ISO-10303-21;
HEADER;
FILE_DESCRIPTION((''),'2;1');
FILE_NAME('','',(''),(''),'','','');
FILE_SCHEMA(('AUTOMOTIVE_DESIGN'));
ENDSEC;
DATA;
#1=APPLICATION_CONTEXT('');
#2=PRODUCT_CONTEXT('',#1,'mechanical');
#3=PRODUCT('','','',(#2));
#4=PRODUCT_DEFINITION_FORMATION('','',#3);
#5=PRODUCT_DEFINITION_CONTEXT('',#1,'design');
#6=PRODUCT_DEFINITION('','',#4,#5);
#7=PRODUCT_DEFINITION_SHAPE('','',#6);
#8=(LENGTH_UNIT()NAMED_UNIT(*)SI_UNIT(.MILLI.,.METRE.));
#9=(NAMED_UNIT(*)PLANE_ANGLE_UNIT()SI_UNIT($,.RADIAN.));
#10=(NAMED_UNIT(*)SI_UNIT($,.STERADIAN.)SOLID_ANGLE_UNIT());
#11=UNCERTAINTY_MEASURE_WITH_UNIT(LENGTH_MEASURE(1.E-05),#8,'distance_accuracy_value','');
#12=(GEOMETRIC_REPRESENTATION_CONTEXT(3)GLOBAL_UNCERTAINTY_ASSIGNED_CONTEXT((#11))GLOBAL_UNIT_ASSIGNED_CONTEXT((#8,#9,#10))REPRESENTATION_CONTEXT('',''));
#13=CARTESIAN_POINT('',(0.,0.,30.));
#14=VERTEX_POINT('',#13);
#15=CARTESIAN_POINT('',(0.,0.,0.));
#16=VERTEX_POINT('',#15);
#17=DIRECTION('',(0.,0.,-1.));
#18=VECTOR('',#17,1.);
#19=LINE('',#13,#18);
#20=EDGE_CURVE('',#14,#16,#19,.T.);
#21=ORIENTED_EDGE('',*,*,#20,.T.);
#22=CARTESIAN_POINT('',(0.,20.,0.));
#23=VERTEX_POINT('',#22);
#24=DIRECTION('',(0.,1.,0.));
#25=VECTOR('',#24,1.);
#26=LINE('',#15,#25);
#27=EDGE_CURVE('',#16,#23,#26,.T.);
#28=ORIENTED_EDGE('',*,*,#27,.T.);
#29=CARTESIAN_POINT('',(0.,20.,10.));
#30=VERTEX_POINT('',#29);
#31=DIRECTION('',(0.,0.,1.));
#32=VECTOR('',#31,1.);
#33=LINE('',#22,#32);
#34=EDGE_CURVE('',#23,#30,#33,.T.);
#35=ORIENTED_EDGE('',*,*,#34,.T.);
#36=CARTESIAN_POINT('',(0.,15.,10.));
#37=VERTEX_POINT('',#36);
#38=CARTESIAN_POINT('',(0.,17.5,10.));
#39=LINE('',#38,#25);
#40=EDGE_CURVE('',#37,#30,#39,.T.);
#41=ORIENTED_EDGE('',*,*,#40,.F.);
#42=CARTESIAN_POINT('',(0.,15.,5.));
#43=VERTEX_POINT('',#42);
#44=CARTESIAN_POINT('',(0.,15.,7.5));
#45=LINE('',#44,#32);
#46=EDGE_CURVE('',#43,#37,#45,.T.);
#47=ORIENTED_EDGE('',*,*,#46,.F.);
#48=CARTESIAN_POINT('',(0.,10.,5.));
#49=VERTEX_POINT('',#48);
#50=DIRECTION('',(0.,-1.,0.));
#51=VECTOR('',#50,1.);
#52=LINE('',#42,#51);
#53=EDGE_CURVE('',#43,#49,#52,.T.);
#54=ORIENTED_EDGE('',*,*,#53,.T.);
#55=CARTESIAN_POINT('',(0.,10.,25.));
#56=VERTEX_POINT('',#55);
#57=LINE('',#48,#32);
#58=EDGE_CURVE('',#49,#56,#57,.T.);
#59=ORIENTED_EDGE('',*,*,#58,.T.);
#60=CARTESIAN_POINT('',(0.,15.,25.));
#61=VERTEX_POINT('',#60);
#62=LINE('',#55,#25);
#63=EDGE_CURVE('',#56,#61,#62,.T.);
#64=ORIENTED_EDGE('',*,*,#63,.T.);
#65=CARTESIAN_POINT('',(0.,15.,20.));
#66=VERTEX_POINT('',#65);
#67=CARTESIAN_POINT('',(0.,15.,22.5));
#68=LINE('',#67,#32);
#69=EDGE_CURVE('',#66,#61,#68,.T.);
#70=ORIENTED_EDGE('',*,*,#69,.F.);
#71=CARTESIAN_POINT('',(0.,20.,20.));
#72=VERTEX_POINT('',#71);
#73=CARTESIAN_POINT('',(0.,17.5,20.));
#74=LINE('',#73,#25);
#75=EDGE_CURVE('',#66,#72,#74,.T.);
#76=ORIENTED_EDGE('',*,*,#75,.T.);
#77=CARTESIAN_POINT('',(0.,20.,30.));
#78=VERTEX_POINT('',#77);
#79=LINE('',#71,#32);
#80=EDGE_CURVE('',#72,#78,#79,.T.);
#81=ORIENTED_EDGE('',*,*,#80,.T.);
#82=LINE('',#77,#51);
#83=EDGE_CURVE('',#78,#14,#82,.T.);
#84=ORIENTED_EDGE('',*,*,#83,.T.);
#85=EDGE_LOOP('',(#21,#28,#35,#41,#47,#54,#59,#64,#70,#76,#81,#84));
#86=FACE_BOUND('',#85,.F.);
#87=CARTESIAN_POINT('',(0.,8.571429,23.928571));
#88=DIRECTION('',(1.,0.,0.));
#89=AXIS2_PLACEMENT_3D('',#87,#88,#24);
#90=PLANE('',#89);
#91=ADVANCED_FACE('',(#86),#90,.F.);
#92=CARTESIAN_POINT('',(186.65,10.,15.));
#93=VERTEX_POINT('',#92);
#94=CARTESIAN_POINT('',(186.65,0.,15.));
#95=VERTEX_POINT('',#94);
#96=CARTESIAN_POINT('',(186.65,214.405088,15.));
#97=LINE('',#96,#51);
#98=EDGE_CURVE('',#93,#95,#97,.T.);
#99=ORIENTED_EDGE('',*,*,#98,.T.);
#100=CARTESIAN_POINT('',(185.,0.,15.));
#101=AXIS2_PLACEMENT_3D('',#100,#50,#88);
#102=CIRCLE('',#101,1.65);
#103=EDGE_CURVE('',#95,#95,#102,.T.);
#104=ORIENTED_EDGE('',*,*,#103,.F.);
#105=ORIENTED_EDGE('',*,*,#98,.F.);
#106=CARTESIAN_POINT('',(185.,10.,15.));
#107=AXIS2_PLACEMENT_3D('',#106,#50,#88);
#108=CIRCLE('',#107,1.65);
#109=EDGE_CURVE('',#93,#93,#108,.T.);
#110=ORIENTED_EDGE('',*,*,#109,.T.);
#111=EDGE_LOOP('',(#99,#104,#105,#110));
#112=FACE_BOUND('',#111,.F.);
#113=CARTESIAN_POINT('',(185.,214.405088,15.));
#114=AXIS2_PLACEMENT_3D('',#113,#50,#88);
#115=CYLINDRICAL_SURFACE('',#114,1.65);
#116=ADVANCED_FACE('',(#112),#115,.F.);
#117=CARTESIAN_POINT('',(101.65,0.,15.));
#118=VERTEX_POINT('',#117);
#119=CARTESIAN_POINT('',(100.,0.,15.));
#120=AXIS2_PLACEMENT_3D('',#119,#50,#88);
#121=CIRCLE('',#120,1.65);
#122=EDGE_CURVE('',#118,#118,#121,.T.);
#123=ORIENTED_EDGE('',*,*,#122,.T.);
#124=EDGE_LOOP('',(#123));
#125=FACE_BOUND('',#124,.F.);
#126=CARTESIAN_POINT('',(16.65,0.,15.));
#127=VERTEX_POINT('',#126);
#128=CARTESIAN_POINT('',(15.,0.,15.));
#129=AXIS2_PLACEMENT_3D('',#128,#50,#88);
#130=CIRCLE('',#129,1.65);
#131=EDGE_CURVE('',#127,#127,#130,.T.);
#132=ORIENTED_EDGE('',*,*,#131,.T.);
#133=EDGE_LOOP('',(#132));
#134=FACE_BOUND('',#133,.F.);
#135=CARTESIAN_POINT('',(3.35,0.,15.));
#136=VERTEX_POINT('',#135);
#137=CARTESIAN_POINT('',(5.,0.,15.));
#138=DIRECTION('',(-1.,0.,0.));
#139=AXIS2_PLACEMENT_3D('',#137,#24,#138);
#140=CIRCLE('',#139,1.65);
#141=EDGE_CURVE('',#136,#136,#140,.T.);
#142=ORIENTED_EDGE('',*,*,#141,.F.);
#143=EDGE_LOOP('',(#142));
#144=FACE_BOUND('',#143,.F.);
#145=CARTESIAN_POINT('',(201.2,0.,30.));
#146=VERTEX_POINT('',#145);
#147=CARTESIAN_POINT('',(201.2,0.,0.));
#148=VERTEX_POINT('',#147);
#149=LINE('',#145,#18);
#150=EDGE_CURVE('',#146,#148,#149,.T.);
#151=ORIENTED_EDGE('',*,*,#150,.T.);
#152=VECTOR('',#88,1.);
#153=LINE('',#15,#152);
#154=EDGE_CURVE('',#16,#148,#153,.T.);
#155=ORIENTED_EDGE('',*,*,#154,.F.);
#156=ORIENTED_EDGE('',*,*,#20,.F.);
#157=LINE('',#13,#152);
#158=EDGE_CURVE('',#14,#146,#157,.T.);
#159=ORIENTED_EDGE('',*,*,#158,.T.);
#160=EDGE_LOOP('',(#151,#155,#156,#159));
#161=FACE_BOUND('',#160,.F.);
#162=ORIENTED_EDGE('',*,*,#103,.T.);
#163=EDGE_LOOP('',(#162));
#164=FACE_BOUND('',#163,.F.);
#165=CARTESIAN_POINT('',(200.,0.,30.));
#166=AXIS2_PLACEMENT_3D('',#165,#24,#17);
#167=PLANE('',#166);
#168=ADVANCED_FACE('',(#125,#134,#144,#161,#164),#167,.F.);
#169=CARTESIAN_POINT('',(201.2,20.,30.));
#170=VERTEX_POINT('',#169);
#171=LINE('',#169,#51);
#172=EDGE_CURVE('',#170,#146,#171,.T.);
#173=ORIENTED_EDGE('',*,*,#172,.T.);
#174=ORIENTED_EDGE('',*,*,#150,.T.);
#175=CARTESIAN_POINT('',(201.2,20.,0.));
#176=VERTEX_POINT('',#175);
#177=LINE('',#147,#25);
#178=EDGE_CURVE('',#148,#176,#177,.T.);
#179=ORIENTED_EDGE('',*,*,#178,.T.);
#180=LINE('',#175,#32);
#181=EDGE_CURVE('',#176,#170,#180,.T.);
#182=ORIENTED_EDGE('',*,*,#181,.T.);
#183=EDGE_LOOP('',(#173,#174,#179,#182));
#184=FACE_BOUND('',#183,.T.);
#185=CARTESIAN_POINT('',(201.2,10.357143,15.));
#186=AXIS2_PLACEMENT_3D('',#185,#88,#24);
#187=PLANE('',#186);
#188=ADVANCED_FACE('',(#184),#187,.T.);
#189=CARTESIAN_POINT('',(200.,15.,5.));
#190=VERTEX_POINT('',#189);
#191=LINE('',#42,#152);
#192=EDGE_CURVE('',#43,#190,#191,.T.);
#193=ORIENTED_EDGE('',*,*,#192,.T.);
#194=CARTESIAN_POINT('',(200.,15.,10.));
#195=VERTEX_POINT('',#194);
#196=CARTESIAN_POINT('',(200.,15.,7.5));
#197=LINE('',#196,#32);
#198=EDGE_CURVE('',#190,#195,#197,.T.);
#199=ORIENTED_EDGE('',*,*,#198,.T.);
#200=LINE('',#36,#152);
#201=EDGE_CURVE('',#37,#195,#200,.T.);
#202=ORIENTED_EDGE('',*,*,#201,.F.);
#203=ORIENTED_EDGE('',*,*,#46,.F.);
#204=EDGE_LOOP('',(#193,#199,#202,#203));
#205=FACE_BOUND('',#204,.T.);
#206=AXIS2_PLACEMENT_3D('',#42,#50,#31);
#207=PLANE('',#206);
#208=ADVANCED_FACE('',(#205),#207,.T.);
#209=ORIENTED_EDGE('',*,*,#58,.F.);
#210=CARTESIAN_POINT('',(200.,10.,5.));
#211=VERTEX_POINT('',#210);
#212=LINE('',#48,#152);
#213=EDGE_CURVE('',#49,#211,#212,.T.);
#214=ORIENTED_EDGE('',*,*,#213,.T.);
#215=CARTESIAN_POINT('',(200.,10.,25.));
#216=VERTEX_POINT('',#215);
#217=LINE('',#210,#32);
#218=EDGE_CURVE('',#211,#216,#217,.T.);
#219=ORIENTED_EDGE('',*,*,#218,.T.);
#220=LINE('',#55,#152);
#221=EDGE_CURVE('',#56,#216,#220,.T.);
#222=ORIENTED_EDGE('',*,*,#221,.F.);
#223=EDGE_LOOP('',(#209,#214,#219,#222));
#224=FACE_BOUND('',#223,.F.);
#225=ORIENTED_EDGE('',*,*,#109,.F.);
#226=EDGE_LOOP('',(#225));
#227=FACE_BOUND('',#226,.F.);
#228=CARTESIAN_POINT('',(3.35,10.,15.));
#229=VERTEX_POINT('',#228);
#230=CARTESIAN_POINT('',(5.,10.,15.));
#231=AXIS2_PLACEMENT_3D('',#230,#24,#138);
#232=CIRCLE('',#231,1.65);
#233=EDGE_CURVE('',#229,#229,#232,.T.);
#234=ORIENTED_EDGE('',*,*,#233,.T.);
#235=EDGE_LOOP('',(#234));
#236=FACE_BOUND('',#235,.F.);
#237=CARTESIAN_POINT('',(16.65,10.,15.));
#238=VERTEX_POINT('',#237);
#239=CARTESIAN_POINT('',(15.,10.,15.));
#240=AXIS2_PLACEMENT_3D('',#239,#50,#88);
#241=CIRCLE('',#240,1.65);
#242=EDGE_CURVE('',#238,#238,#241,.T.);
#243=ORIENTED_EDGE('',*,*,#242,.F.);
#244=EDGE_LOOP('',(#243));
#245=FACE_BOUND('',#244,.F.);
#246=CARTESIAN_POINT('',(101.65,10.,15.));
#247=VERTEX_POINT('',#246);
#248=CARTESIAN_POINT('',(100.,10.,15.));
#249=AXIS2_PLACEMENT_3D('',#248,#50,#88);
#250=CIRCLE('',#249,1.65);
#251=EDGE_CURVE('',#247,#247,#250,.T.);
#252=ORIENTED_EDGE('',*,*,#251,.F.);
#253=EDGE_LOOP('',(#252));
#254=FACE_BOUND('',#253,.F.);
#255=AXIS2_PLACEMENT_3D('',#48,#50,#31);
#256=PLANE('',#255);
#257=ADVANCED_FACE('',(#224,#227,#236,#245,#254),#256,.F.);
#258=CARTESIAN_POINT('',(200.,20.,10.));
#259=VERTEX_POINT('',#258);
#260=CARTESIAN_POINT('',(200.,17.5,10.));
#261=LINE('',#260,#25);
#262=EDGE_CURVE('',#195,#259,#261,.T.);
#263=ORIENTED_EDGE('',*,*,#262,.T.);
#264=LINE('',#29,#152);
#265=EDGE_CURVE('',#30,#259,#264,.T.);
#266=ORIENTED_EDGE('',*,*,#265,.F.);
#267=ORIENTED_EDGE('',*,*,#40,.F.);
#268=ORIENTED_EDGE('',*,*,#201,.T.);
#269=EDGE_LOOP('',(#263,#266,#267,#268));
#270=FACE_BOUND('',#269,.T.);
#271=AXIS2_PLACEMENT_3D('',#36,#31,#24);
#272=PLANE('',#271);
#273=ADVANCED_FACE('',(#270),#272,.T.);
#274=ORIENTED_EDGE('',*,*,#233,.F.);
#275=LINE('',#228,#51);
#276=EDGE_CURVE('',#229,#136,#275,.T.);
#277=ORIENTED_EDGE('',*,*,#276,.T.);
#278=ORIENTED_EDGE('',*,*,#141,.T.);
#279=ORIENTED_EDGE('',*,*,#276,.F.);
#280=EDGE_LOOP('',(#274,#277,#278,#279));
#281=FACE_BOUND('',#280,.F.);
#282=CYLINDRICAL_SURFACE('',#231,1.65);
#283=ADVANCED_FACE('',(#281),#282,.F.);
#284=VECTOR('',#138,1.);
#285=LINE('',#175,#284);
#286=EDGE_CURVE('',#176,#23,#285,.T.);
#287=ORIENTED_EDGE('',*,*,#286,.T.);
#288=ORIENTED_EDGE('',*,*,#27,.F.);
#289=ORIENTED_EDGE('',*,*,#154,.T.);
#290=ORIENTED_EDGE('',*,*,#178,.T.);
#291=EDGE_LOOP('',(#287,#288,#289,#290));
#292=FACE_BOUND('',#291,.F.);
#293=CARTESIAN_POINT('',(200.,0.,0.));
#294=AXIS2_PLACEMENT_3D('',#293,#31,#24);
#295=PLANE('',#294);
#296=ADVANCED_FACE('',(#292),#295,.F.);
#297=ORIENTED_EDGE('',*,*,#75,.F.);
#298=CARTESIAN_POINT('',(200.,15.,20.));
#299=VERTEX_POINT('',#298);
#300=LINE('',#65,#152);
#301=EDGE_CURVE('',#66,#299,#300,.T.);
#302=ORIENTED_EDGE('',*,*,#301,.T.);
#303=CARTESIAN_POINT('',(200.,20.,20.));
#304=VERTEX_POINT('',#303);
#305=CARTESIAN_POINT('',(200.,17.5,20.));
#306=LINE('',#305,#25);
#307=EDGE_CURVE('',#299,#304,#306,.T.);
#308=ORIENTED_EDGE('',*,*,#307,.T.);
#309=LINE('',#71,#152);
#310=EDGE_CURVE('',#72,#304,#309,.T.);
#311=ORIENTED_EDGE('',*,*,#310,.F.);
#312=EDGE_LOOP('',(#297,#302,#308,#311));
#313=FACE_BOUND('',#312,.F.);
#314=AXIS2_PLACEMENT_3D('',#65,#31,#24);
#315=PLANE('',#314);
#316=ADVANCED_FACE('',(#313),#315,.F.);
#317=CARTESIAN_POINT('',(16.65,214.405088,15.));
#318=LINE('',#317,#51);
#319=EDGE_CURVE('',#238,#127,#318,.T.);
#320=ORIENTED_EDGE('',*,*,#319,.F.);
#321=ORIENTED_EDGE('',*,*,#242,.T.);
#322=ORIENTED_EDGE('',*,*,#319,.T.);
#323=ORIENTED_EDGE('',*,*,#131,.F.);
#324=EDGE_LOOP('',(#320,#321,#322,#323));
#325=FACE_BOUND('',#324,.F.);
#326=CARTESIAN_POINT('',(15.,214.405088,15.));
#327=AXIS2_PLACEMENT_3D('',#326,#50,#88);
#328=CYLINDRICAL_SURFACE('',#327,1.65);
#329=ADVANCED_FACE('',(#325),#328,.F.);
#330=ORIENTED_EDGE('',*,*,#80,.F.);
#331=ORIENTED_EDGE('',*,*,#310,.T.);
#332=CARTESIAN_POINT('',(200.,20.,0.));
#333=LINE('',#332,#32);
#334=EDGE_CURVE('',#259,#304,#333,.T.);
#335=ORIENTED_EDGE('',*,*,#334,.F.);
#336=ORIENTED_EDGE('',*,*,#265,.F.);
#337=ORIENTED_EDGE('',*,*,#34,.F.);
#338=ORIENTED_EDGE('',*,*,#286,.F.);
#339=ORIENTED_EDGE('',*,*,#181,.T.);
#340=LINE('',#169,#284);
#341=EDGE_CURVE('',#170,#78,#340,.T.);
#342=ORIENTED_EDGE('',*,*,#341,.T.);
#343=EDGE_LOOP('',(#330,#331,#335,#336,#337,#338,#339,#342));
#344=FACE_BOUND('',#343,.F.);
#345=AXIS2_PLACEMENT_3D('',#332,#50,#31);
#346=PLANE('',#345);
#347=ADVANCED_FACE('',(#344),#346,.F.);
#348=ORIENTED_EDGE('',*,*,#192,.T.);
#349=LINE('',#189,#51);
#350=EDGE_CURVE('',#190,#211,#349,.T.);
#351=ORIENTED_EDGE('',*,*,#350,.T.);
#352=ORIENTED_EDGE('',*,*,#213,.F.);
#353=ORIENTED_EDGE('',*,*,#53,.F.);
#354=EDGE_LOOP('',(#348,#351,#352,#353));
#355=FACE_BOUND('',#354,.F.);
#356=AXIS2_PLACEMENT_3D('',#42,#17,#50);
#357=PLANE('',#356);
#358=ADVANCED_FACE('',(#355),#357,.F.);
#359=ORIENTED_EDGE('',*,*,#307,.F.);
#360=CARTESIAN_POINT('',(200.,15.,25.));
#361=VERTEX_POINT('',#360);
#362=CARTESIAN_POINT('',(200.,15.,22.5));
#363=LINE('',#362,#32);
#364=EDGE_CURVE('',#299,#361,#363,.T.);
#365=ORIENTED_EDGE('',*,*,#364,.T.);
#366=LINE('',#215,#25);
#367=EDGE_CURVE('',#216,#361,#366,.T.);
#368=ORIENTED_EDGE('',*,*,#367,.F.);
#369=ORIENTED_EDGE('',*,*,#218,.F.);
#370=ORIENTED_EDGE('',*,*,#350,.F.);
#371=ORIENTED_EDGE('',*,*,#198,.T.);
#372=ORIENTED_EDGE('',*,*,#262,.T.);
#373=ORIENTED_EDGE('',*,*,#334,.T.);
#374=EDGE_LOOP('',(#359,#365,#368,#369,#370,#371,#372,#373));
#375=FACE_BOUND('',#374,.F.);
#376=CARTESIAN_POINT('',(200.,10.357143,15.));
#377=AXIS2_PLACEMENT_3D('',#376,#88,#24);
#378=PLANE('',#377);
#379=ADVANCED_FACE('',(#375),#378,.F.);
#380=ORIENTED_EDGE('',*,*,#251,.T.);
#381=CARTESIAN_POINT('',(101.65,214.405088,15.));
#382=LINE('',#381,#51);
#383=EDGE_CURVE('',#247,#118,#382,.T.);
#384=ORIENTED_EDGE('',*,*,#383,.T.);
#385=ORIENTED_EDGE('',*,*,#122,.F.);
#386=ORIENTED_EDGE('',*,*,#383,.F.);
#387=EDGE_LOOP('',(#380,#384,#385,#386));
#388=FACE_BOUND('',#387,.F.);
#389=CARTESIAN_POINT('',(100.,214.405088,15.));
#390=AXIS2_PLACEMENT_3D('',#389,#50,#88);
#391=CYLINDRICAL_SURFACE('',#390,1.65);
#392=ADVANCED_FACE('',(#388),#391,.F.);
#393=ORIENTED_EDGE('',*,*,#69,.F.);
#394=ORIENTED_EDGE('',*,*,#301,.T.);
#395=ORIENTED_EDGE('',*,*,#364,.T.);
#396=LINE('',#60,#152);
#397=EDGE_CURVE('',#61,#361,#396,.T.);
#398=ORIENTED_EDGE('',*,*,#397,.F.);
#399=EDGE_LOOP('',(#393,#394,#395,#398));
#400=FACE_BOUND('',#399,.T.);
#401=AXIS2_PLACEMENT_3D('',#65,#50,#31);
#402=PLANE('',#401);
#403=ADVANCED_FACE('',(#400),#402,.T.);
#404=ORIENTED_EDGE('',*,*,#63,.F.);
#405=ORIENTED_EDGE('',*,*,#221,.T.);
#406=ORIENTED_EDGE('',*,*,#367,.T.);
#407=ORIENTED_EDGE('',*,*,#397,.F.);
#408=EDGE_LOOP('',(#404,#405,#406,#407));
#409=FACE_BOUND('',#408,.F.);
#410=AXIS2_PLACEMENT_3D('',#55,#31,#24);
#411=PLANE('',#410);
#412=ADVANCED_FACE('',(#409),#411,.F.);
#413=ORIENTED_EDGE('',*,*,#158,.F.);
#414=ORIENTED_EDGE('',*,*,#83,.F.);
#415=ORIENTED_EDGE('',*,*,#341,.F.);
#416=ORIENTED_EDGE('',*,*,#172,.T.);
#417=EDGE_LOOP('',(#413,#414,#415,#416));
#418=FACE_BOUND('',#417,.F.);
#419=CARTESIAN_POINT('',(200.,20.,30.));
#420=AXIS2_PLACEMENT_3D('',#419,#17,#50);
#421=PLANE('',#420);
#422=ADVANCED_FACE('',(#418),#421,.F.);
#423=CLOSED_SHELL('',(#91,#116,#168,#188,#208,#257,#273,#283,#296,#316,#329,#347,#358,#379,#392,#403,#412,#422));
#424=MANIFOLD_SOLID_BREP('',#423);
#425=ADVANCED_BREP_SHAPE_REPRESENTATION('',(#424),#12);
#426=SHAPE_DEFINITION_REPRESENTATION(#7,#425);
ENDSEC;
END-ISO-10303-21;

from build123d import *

# Parameters (mm, degrees)
F0_W     = 5
F0_H     = 5
F1_DEPTH = 200
F3_DEPTH = 1.2
F5_DEPTH = 25
F6_D     = 3.3


with BuildPart() as f1:
    # F0 (on Right) → F1 (new body)
    with BuildSketch(Plane.YZ):
        Polygon((0, 30), (0, 15), (6.1031254008, 15), (10, 15), (10, 25), (15, 25), (20, 25), (20, 30), align=None)
        with Locations((17.5, 22.5)):
            Rectangle(F0_W, F0_H)
        with Locations((17.5, 7.5)):
            Rectangle(F0_W, F0_H)
        Polygon((0, 15), (0, 0), (20, 0), (20, 5), (15, 5), (10, 5), (10, 15), (6.1031254008, 15), align=None)
    extrude(amount=F1_DEPTH)

    # F2 (on face) → F3 (join)
    with BuildSketch(Plane.YZ.offset(200)):
        Polygon((20, 30), (0, 30), (0, 0), (20, 0), (20, 10), (15, 10), (15, 5), (10, 5), (10, 25), (15, 25), (15, 20), (20, 20), align=None)
        Polygon((20, 10), (20, 20), (15, 20), (15, 25), (10, 25), (10, 5), (15, 5), (15, 10), align=None)
    extrude(amount=F3_DEPTH)

    # F4 (on face) → F5 (cut)
    with BuildSketch(Plane(origin=(0, 10, 0), x_dir=(-1, 0, 0), z_dir=(0, 1, 0))):
        with BuildLine():
            ThreePointArc((-6.65, 15), (-5, 13.35), (-3.35, 15))
            Line((-3.35, 15), (-5, 15))
            Line((-5, 15), (-6.65, 15))
        make_face()
        with BuildLine():
            Line((-5, 15), (-3.35, 15))
            ThreePointArc((-3.35, 15), (-5, 16.65), (-6.65, 15))
            Line((-6.65, 15), (-5, 15))
        make_face()
    extrude(amount=-F5_DEPTH, mode=Mode.SUBTRACT)

    # F6 (through all)
    with Locations(Plane(origin=(0, 10, 0), x_dir=(-1, 0, 0), z_dir=(0, 1, 0))):
        with Locations((-15, 15), (-100, 15), (-185, 15)):
            Hole(F6_D / 2)


solid = f1.part
